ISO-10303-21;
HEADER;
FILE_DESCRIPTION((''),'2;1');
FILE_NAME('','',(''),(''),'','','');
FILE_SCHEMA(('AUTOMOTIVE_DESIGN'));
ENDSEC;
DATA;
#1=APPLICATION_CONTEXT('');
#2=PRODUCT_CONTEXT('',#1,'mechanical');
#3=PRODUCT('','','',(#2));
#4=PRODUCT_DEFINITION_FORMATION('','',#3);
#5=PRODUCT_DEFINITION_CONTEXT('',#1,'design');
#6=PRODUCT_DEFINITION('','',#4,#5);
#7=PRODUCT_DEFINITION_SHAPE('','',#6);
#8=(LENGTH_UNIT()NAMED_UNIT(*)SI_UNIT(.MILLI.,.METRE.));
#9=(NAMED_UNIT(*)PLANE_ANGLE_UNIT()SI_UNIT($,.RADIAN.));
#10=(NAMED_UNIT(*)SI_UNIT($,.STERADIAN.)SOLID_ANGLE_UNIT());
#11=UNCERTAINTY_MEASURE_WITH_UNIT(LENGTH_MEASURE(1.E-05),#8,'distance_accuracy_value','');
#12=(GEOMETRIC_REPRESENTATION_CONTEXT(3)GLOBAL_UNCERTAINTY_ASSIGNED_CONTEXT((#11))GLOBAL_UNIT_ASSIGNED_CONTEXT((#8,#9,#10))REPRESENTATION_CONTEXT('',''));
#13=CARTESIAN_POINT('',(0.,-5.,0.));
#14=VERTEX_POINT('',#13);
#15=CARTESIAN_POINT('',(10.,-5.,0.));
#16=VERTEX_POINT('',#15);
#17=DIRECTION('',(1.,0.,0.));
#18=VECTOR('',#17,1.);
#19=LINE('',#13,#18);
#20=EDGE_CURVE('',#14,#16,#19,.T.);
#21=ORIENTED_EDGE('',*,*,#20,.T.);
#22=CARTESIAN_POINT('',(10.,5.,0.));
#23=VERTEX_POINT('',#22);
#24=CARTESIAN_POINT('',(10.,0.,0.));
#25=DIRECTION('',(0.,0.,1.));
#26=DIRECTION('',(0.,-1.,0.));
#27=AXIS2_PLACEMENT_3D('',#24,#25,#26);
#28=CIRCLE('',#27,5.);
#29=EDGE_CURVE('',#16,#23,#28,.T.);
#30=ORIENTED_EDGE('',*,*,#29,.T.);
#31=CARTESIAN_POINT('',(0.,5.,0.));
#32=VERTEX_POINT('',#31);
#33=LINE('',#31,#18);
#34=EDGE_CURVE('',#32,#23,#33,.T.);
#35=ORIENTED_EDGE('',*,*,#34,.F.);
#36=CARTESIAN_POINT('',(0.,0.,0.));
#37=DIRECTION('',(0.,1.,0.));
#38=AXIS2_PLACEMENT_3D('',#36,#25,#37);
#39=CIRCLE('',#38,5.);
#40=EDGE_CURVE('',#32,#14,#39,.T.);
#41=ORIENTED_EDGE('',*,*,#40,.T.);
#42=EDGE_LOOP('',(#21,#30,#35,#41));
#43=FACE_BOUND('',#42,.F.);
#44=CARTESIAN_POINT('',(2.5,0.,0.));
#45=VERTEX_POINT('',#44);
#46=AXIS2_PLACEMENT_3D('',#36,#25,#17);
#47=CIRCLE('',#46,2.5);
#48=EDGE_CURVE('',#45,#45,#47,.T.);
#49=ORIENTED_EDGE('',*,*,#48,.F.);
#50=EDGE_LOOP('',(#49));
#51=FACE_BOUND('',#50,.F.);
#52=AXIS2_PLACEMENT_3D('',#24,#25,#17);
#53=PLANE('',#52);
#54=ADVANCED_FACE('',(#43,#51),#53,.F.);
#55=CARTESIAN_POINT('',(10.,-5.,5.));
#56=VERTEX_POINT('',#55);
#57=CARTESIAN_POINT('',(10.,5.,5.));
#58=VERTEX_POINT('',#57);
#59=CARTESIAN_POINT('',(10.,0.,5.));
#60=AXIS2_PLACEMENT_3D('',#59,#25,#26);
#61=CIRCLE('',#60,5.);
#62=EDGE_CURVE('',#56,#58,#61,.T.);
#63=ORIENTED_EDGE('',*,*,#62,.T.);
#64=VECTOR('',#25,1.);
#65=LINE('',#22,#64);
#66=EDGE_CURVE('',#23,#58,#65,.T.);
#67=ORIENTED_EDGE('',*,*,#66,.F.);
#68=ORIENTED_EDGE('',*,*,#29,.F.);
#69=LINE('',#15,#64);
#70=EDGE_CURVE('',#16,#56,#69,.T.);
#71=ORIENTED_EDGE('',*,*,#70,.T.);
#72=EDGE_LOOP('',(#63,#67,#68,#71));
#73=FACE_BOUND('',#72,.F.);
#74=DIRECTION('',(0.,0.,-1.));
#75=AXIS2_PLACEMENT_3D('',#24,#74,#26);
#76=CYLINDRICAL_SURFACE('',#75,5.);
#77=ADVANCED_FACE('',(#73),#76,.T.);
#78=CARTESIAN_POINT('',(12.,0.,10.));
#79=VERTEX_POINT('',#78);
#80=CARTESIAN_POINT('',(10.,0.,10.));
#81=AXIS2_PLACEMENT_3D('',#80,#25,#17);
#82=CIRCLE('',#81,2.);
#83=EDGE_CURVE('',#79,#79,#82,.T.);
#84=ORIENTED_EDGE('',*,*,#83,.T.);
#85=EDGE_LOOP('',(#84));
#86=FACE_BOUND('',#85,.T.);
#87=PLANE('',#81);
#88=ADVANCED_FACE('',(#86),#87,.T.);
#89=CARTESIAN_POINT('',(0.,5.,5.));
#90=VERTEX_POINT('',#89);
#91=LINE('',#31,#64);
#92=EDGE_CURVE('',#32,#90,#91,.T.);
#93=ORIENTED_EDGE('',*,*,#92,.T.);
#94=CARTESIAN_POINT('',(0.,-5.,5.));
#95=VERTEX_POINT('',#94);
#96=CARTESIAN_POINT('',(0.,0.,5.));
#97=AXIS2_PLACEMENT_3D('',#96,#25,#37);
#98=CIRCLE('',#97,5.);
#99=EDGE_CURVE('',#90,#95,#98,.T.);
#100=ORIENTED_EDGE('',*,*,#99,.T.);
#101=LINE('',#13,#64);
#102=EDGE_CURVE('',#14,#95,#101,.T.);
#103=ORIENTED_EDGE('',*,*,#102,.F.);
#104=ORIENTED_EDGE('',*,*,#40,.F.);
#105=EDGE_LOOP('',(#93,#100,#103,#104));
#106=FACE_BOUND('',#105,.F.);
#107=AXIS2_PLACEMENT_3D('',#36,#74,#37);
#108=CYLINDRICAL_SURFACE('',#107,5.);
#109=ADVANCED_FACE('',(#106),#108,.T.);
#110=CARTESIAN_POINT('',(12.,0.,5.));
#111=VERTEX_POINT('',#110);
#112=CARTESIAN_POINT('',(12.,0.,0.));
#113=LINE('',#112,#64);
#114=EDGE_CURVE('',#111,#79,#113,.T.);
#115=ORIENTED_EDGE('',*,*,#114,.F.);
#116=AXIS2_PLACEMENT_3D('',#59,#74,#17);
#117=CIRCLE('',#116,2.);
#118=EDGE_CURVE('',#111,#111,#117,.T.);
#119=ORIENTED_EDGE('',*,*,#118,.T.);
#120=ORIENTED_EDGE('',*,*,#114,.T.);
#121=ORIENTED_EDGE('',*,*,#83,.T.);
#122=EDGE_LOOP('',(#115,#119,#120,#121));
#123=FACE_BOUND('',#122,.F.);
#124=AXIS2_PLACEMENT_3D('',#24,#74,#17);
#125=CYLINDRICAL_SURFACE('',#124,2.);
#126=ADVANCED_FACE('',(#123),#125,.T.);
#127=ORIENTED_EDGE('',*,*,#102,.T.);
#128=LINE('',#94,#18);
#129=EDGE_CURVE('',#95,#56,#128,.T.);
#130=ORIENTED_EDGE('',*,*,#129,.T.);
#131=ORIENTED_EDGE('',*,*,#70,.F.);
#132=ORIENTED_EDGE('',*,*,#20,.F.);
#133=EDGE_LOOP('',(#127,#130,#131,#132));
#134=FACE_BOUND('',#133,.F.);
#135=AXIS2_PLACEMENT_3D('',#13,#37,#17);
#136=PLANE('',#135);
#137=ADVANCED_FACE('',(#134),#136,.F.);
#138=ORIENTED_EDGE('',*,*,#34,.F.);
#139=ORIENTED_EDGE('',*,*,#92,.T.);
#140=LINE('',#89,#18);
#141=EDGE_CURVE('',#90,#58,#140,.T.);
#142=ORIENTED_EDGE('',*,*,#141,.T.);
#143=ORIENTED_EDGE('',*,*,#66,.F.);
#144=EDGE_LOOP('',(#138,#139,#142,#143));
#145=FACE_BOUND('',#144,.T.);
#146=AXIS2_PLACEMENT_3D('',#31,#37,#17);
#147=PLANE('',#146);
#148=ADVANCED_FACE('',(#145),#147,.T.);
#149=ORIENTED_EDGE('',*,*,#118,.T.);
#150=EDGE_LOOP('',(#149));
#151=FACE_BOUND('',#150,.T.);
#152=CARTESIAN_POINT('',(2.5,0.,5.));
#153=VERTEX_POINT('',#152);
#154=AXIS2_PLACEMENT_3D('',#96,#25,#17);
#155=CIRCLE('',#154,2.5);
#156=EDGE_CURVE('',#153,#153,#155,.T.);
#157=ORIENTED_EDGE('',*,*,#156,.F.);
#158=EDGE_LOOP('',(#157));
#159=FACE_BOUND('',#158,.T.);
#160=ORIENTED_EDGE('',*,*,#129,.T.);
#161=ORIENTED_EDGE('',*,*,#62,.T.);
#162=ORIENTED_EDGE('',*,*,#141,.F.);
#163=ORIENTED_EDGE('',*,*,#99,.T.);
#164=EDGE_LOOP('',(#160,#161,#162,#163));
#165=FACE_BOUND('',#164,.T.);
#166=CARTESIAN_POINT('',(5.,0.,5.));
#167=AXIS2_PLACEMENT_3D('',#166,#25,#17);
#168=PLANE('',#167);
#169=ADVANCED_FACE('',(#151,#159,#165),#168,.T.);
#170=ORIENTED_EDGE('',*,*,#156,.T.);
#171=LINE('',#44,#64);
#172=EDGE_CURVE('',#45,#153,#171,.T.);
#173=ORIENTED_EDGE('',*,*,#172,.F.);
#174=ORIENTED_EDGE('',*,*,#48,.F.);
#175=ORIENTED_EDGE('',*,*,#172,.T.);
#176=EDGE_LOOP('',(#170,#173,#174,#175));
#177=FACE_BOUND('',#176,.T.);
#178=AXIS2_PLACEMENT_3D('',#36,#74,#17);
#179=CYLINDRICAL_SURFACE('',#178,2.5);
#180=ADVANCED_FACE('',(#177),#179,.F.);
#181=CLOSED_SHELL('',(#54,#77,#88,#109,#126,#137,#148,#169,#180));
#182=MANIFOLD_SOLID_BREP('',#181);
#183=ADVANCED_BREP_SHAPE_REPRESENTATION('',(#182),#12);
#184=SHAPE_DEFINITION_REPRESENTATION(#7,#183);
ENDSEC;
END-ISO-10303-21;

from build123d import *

# Parameters (mm, degrees)
CYLINDER_R     = 2
CYLINDER_DEPTH = 10
SKETCH_R       = 2.5
EXTRUDE_DEPTH  = 5


with BuildPart() as pin:
    # Cylinder → Cylinder (new body)
    with BuildSketch(Plane(origin=(10, 0, 0), x_dir=(1, 0, 0), z_dir=(0, 0, 1))):
        Circle(CYLINDER_R)
    extrude(amount=CYLINDER_DEPTH)


with BuildPart() as fusion:
    # Sketch → Extrude (new body)
    with BuildSketch(Plane.XY):
        with BuildLine():
            ThreePointArc((0, 5), (-5, 0), (0, -5))
            Line((0, -5), (10, -5))
            ThreePointArc((10, -5), (15, 0), (10, 5))
            Line((0, 5), (10, 5))
        make_face()
        Circle(SKETCH_R, mode=Mode.SUBTRACT)
    extrude(amount=EXTRUDE_DEPTH)

    # Fusion: union Pin
    add(pin.part)


solid = fusion.part
